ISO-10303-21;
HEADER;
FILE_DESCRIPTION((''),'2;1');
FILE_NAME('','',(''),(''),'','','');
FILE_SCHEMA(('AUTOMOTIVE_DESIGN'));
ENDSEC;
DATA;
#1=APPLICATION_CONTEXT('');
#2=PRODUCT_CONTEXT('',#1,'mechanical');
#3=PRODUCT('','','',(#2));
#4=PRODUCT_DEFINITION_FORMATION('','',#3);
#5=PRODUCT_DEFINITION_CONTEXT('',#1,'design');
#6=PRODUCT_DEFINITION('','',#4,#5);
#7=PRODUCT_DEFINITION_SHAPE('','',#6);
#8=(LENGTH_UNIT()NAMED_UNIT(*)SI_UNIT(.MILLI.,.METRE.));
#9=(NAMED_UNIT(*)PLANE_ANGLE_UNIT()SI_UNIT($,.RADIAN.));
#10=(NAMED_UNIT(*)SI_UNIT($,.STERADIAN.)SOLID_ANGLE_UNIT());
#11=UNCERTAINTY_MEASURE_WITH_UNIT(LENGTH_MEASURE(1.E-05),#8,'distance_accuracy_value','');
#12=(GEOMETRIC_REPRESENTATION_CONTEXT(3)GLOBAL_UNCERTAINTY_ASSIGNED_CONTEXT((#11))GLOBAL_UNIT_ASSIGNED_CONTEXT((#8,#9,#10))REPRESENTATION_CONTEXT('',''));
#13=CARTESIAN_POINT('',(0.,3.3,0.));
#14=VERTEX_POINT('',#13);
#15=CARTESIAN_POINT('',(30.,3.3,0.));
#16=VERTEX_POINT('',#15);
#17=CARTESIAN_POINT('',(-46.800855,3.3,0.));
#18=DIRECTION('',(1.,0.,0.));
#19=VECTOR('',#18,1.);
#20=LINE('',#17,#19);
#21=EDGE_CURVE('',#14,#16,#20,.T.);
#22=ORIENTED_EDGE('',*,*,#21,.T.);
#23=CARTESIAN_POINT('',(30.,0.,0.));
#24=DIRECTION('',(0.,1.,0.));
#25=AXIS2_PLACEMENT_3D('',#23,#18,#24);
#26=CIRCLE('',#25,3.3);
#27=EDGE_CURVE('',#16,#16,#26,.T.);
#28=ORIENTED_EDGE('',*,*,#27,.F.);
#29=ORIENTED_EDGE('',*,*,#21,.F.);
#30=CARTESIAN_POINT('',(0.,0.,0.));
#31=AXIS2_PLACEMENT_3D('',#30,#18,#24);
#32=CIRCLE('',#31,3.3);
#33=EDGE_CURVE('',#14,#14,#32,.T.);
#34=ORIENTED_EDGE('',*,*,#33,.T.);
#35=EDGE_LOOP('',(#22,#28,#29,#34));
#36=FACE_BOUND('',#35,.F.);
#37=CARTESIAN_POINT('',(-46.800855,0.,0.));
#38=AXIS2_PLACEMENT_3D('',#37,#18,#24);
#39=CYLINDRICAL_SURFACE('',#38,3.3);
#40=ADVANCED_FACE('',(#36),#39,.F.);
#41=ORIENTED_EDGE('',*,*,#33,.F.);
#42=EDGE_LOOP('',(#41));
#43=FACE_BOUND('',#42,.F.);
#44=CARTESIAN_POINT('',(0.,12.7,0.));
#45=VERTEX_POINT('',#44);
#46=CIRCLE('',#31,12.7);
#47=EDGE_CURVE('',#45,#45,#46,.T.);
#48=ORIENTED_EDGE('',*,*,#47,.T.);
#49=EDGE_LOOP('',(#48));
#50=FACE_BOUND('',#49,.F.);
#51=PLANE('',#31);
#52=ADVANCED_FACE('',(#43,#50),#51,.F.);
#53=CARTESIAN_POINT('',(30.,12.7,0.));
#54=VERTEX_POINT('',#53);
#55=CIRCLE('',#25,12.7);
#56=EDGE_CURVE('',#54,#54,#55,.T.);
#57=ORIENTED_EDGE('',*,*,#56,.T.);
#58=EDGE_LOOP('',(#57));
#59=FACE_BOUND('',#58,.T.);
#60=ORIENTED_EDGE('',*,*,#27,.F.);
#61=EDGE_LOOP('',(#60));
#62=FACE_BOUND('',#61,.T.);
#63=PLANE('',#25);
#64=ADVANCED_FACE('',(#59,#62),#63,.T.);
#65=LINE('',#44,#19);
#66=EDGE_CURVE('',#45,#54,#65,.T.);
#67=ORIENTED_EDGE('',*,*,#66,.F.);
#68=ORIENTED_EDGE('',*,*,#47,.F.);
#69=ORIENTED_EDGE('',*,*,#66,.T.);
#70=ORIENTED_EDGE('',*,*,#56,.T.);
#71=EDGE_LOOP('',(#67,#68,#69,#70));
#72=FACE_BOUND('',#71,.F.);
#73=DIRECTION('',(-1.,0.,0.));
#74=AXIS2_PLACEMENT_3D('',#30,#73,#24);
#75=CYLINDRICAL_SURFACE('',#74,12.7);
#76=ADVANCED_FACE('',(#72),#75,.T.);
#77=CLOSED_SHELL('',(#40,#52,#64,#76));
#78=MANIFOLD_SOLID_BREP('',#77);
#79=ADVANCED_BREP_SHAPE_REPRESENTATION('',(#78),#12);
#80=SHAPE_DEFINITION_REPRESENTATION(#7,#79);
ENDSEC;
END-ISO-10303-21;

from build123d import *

# Parameters (mm, degrees)
F0_R     = 12.7
F1_DEPTH = 30
F3_D     = 6.6


with BuildPart() as f1:
    # F0 (on Right) → F1 (new body)
    with BuildSketch(Plane.YZ):
        Circle(F0_R)
    extrude(amount=F1_DEPTH)

    # F3 (through all)
    with Locations(Plane(origin=(0, 0, 0), x_dir=(0, -1, 0), z_dir=(-1, 0, 0))):
        with Locations((0, 0)):
            Hole(F3_D / 2)


solid = f1.part
